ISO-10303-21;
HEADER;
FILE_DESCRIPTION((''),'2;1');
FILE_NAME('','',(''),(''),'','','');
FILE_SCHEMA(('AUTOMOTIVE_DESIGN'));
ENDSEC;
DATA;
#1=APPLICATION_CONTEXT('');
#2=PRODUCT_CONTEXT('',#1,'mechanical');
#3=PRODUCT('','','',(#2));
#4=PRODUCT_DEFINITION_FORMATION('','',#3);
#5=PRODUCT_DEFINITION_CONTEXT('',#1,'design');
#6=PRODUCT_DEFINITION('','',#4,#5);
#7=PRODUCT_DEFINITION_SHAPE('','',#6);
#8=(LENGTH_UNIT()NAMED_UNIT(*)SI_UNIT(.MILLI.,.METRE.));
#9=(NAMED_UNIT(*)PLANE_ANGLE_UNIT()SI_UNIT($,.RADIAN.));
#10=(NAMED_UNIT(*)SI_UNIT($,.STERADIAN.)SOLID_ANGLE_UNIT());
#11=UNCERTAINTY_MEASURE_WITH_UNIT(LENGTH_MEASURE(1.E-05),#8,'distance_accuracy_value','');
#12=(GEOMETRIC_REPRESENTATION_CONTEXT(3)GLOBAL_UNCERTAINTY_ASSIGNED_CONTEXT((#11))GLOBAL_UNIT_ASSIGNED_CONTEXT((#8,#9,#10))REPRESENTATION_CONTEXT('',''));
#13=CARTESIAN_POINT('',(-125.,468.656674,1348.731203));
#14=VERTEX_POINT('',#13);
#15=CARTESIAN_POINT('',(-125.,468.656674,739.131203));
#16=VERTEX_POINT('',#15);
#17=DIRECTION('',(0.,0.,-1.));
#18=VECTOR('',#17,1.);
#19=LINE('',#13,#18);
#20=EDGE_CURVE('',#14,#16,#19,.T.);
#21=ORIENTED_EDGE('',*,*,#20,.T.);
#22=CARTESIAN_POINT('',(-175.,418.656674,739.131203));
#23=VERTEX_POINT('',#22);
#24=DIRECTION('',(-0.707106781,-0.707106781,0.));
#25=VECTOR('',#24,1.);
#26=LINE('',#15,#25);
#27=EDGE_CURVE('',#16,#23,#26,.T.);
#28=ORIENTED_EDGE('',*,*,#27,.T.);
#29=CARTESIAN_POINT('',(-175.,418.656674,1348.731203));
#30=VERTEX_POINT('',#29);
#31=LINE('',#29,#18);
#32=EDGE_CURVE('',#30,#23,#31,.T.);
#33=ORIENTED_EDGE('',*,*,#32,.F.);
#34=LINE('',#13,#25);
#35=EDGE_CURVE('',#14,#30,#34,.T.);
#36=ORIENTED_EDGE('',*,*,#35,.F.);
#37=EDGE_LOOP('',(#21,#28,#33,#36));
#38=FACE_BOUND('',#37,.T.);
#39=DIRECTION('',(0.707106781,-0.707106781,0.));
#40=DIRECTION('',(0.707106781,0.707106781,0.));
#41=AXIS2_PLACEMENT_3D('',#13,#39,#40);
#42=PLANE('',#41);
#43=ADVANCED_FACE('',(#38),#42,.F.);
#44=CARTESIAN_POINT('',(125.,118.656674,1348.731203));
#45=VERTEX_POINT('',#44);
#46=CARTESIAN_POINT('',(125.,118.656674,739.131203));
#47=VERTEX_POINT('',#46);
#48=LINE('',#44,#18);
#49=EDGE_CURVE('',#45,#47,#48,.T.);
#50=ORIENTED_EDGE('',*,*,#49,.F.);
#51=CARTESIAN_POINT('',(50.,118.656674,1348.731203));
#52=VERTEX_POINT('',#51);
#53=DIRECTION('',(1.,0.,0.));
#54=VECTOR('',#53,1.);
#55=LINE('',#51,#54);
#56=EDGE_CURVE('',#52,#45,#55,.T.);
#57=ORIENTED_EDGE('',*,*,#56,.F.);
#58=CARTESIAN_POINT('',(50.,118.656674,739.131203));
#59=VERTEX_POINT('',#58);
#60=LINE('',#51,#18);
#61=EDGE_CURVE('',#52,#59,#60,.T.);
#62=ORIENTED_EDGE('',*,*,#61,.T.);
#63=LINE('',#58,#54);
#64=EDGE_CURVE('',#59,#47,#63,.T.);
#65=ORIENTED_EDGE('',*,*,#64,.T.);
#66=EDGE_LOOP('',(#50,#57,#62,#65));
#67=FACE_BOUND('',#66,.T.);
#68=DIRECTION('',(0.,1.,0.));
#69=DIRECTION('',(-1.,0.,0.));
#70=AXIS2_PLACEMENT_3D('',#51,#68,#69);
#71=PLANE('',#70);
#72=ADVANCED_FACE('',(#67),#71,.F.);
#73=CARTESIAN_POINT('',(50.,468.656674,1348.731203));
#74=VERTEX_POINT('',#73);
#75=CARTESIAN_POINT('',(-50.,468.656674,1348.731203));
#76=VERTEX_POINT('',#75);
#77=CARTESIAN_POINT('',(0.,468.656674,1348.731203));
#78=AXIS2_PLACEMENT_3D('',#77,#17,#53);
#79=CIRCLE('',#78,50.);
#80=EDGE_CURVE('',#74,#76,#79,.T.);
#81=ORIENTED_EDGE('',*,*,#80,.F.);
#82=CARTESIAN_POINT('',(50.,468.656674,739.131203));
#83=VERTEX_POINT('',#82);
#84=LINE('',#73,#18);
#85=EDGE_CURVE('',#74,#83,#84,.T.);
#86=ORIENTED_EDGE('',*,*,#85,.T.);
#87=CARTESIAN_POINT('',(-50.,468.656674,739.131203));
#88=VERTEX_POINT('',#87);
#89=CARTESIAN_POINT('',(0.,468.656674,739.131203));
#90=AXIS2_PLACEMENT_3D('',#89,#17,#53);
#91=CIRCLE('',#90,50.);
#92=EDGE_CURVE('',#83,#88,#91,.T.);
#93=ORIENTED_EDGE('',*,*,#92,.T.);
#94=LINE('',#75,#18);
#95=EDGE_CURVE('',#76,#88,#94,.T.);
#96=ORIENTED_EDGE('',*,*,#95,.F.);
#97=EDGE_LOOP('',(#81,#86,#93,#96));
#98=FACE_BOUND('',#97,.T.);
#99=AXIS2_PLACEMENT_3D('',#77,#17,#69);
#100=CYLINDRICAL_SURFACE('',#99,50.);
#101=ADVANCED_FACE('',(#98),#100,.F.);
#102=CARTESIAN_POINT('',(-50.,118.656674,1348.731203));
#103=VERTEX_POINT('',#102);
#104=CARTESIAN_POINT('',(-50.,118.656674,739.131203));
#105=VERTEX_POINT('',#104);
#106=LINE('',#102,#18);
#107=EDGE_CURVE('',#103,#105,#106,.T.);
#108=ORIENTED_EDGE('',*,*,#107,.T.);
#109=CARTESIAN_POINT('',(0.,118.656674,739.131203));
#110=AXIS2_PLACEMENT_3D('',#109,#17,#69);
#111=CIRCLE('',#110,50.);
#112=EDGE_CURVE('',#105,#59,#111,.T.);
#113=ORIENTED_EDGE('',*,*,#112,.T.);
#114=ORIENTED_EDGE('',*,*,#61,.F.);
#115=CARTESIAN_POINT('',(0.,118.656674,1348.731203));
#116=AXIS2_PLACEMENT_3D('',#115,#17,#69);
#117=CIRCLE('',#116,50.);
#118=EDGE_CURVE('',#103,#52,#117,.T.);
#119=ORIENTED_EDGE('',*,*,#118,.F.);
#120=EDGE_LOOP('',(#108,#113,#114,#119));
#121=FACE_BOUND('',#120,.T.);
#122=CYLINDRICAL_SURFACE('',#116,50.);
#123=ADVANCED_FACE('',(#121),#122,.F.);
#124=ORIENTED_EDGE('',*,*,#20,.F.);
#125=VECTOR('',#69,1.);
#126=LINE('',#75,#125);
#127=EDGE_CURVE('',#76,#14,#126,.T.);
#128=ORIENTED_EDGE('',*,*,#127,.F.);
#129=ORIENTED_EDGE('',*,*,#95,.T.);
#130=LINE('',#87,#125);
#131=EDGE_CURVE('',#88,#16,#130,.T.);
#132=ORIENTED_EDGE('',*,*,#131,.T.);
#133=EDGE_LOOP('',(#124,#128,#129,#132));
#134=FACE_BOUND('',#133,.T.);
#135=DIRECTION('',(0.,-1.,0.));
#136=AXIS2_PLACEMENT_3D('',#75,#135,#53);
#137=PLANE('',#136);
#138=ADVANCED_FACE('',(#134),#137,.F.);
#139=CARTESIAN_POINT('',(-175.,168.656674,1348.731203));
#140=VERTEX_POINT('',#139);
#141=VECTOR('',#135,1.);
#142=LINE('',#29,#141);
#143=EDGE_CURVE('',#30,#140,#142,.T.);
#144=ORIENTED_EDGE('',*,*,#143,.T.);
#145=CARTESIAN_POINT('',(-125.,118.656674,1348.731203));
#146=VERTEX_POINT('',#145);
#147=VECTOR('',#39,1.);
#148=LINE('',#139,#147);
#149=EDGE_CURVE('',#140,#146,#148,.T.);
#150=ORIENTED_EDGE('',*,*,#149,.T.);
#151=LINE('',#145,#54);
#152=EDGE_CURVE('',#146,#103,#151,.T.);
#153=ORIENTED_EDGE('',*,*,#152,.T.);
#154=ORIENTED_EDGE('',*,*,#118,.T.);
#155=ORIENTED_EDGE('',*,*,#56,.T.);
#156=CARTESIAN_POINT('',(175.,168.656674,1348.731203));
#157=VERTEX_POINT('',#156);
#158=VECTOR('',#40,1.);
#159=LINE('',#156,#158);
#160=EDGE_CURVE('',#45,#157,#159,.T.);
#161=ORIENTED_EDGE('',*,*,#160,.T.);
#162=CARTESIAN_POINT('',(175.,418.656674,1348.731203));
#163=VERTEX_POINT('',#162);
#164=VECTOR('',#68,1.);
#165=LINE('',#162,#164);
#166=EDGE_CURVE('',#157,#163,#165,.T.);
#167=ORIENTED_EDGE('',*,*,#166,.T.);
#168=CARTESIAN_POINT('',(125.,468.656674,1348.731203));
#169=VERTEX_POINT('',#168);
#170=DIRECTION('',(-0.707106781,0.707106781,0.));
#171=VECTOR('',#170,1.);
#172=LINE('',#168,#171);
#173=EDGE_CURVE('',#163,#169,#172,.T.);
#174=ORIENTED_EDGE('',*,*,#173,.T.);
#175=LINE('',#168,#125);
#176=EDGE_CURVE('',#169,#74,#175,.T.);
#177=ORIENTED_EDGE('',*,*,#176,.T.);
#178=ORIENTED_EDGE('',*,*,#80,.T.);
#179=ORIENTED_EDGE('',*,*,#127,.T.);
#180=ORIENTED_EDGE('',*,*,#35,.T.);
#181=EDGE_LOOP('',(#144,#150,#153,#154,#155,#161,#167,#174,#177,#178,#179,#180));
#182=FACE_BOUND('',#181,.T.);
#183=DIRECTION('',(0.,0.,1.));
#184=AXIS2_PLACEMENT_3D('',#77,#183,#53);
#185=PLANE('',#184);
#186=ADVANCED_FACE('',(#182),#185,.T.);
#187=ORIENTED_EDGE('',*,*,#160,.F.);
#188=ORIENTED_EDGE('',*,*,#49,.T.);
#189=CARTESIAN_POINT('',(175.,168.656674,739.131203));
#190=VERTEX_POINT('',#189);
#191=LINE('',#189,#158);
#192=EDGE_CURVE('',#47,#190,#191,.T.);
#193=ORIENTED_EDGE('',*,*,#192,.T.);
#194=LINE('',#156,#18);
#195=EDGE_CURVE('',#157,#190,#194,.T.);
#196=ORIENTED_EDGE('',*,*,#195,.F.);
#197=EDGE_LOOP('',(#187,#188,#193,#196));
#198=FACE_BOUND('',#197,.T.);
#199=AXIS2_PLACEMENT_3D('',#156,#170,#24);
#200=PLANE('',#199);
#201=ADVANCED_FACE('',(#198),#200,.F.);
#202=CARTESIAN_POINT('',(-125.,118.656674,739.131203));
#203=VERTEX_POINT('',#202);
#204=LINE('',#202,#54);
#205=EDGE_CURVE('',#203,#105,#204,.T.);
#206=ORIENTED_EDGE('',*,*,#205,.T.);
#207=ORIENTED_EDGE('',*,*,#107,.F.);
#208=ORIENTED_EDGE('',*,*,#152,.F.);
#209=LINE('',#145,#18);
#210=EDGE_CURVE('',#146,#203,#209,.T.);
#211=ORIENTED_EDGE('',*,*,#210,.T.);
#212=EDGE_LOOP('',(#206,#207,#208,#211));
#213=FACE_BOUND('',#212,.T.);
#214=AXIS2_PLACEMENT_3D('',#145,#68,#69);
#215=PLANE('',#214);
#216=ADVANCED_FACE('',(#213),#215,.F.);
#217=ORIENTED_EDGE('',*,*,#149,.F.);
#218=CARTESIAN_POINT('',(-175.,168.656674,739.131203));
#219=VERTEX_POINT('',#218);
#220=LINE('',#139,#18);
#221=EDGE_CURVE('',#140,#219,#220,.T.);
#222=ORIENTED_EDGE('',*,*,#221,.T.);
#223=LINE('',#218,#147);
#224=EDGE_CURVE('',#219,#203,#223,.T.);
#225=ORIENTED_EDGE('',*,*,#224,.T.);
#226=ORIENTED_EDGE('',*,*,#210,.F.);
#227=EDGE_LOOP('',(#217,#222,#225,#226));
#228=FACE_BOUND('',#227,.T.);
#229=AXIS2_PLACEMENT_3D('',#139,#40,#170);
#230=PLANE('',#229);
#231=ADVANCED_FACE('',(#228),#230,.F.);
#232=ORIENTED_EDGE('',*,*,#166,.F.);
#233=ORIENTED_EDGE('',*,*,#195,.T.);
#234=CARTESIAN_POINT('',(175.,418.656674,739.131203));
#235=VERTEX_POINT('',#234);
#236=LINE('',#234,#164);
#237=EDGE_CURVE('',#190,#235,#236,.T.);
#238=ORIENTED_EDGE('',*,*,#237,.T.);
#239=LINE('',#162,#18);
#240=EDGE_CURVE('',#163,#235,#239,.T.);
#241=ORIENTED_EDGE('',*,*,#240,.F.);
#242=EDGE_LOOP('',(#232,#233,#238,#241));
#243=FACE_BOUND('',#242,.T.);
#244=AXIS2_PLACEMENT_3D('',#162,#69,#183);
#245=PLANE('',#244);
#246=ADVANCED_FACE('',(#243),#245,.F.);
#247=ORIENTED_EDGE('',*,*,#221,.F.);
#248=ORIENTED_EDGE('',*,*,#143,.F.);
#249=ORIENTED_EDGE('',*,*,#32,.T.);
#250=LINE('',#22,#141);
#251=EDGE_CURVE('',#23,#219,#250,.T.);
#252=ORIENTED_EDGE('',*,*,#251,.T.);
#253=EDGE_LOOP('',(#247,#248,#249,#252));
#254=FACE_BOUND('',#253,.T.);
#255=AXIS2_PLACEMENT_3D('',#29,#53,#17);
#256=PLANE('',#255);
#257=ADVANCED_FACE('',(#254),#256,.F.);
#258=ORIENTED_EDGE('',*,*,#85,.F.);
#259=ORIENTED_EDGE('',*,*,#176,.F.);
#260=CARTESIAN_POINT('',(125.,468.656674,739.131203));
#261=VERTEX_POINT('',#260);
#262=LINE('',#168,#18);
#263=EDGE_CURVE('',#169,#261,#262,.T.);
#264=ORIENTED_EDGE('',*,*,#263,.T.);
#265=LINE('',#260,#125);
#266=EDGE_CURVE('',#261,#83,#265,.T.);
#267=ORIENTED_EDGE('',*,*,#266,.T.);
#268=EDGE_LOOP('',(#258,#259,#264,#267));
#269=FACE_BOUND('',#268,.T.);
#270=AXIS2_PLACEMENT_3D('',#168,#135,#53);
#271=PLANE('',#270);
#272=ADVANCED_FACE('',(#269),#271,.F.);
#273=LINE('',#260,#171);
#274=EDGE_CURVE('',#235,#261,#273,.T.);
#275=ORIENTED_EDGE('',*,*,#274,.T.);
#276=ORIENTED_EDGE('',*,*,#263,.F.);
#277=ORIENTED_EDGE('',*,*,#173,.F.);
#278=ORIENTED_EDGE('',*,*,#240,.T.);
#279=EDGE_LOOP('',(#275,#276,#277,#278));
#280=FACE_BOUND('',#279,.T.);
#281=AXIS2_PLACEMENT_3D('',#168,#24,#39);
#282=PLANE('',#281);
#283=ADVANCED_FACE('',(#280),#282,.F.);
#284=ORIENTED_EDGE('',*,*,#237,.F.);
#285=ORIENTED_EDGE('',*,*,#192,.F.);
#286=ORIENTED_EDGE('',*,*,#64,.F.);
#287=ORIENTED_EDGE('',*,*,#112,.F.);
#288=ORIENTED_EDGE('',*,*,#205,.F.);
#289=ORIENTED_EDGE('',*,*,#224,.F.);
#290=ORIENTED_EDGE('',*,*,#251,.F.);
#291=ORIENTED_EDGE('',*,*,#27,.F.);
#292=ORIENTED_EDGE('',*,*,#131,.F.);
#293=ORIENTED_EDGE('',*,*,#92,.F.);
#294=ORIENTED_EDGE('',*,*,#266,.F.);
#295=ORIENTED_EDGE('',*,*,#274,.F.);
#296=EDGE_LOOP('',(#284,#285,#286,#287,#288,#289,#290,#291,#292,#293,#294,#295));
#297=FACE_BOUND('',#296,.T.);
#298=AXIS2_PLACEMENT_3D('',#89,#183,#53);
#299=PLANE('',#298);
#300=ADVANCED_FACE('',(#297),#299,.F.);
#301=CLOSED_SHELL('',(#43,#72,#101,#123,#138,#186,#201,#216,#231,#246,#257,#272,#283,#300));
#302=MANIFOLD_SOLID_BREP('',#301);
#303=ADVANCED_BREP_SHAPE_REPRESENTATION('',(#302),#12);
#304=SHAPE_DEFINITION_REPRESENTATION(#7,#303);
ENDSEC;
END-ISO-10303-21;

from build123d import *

# Parameters (mm, degrees)
COCKPIT_TEMPLATE_DEPTH = 304.8


with BuildPart() as part:
    # Sketch11 → Cockpit Template (new, symmetric)
    with BuildSketch(Plane.XY.offset(1043.931203382)):
        with BuildLine():
            Line((125, 468.656673601), (50, 468.656673601))
            ThreePointArc((50, 468.656673601), (0, 418.656673601), (-50, 468.656673601))
            Line((-50, 468.656673601), (-125, 468.656673601))
            Line((-125, 468.656673601), (-175, 418.656673601))
            Line((-175, 418.656673601), (-175, 168.656673601))
            Line((-175, 168.656673601), (-125, 118.656673601))
            Line((-125, 118.656673601), (-50, 118.656673601))
            ThreePointArc((-50, 118.656673601), (0, 168.656673601), (50, 118.656673601))
            Line((50, 118.656673601), (125, 118.656673601))
            Line((125, 118.656673601), (175, 168.656673601))
            Line((175, 168.656673601), (175, 418.656673601))
            Line((175, 418.656673601), (125, 468.656673601))
        make_face()
    extrude(amount=COCKPIT_TEMPLATE_DEPTH, both=True)


solid = part.part
